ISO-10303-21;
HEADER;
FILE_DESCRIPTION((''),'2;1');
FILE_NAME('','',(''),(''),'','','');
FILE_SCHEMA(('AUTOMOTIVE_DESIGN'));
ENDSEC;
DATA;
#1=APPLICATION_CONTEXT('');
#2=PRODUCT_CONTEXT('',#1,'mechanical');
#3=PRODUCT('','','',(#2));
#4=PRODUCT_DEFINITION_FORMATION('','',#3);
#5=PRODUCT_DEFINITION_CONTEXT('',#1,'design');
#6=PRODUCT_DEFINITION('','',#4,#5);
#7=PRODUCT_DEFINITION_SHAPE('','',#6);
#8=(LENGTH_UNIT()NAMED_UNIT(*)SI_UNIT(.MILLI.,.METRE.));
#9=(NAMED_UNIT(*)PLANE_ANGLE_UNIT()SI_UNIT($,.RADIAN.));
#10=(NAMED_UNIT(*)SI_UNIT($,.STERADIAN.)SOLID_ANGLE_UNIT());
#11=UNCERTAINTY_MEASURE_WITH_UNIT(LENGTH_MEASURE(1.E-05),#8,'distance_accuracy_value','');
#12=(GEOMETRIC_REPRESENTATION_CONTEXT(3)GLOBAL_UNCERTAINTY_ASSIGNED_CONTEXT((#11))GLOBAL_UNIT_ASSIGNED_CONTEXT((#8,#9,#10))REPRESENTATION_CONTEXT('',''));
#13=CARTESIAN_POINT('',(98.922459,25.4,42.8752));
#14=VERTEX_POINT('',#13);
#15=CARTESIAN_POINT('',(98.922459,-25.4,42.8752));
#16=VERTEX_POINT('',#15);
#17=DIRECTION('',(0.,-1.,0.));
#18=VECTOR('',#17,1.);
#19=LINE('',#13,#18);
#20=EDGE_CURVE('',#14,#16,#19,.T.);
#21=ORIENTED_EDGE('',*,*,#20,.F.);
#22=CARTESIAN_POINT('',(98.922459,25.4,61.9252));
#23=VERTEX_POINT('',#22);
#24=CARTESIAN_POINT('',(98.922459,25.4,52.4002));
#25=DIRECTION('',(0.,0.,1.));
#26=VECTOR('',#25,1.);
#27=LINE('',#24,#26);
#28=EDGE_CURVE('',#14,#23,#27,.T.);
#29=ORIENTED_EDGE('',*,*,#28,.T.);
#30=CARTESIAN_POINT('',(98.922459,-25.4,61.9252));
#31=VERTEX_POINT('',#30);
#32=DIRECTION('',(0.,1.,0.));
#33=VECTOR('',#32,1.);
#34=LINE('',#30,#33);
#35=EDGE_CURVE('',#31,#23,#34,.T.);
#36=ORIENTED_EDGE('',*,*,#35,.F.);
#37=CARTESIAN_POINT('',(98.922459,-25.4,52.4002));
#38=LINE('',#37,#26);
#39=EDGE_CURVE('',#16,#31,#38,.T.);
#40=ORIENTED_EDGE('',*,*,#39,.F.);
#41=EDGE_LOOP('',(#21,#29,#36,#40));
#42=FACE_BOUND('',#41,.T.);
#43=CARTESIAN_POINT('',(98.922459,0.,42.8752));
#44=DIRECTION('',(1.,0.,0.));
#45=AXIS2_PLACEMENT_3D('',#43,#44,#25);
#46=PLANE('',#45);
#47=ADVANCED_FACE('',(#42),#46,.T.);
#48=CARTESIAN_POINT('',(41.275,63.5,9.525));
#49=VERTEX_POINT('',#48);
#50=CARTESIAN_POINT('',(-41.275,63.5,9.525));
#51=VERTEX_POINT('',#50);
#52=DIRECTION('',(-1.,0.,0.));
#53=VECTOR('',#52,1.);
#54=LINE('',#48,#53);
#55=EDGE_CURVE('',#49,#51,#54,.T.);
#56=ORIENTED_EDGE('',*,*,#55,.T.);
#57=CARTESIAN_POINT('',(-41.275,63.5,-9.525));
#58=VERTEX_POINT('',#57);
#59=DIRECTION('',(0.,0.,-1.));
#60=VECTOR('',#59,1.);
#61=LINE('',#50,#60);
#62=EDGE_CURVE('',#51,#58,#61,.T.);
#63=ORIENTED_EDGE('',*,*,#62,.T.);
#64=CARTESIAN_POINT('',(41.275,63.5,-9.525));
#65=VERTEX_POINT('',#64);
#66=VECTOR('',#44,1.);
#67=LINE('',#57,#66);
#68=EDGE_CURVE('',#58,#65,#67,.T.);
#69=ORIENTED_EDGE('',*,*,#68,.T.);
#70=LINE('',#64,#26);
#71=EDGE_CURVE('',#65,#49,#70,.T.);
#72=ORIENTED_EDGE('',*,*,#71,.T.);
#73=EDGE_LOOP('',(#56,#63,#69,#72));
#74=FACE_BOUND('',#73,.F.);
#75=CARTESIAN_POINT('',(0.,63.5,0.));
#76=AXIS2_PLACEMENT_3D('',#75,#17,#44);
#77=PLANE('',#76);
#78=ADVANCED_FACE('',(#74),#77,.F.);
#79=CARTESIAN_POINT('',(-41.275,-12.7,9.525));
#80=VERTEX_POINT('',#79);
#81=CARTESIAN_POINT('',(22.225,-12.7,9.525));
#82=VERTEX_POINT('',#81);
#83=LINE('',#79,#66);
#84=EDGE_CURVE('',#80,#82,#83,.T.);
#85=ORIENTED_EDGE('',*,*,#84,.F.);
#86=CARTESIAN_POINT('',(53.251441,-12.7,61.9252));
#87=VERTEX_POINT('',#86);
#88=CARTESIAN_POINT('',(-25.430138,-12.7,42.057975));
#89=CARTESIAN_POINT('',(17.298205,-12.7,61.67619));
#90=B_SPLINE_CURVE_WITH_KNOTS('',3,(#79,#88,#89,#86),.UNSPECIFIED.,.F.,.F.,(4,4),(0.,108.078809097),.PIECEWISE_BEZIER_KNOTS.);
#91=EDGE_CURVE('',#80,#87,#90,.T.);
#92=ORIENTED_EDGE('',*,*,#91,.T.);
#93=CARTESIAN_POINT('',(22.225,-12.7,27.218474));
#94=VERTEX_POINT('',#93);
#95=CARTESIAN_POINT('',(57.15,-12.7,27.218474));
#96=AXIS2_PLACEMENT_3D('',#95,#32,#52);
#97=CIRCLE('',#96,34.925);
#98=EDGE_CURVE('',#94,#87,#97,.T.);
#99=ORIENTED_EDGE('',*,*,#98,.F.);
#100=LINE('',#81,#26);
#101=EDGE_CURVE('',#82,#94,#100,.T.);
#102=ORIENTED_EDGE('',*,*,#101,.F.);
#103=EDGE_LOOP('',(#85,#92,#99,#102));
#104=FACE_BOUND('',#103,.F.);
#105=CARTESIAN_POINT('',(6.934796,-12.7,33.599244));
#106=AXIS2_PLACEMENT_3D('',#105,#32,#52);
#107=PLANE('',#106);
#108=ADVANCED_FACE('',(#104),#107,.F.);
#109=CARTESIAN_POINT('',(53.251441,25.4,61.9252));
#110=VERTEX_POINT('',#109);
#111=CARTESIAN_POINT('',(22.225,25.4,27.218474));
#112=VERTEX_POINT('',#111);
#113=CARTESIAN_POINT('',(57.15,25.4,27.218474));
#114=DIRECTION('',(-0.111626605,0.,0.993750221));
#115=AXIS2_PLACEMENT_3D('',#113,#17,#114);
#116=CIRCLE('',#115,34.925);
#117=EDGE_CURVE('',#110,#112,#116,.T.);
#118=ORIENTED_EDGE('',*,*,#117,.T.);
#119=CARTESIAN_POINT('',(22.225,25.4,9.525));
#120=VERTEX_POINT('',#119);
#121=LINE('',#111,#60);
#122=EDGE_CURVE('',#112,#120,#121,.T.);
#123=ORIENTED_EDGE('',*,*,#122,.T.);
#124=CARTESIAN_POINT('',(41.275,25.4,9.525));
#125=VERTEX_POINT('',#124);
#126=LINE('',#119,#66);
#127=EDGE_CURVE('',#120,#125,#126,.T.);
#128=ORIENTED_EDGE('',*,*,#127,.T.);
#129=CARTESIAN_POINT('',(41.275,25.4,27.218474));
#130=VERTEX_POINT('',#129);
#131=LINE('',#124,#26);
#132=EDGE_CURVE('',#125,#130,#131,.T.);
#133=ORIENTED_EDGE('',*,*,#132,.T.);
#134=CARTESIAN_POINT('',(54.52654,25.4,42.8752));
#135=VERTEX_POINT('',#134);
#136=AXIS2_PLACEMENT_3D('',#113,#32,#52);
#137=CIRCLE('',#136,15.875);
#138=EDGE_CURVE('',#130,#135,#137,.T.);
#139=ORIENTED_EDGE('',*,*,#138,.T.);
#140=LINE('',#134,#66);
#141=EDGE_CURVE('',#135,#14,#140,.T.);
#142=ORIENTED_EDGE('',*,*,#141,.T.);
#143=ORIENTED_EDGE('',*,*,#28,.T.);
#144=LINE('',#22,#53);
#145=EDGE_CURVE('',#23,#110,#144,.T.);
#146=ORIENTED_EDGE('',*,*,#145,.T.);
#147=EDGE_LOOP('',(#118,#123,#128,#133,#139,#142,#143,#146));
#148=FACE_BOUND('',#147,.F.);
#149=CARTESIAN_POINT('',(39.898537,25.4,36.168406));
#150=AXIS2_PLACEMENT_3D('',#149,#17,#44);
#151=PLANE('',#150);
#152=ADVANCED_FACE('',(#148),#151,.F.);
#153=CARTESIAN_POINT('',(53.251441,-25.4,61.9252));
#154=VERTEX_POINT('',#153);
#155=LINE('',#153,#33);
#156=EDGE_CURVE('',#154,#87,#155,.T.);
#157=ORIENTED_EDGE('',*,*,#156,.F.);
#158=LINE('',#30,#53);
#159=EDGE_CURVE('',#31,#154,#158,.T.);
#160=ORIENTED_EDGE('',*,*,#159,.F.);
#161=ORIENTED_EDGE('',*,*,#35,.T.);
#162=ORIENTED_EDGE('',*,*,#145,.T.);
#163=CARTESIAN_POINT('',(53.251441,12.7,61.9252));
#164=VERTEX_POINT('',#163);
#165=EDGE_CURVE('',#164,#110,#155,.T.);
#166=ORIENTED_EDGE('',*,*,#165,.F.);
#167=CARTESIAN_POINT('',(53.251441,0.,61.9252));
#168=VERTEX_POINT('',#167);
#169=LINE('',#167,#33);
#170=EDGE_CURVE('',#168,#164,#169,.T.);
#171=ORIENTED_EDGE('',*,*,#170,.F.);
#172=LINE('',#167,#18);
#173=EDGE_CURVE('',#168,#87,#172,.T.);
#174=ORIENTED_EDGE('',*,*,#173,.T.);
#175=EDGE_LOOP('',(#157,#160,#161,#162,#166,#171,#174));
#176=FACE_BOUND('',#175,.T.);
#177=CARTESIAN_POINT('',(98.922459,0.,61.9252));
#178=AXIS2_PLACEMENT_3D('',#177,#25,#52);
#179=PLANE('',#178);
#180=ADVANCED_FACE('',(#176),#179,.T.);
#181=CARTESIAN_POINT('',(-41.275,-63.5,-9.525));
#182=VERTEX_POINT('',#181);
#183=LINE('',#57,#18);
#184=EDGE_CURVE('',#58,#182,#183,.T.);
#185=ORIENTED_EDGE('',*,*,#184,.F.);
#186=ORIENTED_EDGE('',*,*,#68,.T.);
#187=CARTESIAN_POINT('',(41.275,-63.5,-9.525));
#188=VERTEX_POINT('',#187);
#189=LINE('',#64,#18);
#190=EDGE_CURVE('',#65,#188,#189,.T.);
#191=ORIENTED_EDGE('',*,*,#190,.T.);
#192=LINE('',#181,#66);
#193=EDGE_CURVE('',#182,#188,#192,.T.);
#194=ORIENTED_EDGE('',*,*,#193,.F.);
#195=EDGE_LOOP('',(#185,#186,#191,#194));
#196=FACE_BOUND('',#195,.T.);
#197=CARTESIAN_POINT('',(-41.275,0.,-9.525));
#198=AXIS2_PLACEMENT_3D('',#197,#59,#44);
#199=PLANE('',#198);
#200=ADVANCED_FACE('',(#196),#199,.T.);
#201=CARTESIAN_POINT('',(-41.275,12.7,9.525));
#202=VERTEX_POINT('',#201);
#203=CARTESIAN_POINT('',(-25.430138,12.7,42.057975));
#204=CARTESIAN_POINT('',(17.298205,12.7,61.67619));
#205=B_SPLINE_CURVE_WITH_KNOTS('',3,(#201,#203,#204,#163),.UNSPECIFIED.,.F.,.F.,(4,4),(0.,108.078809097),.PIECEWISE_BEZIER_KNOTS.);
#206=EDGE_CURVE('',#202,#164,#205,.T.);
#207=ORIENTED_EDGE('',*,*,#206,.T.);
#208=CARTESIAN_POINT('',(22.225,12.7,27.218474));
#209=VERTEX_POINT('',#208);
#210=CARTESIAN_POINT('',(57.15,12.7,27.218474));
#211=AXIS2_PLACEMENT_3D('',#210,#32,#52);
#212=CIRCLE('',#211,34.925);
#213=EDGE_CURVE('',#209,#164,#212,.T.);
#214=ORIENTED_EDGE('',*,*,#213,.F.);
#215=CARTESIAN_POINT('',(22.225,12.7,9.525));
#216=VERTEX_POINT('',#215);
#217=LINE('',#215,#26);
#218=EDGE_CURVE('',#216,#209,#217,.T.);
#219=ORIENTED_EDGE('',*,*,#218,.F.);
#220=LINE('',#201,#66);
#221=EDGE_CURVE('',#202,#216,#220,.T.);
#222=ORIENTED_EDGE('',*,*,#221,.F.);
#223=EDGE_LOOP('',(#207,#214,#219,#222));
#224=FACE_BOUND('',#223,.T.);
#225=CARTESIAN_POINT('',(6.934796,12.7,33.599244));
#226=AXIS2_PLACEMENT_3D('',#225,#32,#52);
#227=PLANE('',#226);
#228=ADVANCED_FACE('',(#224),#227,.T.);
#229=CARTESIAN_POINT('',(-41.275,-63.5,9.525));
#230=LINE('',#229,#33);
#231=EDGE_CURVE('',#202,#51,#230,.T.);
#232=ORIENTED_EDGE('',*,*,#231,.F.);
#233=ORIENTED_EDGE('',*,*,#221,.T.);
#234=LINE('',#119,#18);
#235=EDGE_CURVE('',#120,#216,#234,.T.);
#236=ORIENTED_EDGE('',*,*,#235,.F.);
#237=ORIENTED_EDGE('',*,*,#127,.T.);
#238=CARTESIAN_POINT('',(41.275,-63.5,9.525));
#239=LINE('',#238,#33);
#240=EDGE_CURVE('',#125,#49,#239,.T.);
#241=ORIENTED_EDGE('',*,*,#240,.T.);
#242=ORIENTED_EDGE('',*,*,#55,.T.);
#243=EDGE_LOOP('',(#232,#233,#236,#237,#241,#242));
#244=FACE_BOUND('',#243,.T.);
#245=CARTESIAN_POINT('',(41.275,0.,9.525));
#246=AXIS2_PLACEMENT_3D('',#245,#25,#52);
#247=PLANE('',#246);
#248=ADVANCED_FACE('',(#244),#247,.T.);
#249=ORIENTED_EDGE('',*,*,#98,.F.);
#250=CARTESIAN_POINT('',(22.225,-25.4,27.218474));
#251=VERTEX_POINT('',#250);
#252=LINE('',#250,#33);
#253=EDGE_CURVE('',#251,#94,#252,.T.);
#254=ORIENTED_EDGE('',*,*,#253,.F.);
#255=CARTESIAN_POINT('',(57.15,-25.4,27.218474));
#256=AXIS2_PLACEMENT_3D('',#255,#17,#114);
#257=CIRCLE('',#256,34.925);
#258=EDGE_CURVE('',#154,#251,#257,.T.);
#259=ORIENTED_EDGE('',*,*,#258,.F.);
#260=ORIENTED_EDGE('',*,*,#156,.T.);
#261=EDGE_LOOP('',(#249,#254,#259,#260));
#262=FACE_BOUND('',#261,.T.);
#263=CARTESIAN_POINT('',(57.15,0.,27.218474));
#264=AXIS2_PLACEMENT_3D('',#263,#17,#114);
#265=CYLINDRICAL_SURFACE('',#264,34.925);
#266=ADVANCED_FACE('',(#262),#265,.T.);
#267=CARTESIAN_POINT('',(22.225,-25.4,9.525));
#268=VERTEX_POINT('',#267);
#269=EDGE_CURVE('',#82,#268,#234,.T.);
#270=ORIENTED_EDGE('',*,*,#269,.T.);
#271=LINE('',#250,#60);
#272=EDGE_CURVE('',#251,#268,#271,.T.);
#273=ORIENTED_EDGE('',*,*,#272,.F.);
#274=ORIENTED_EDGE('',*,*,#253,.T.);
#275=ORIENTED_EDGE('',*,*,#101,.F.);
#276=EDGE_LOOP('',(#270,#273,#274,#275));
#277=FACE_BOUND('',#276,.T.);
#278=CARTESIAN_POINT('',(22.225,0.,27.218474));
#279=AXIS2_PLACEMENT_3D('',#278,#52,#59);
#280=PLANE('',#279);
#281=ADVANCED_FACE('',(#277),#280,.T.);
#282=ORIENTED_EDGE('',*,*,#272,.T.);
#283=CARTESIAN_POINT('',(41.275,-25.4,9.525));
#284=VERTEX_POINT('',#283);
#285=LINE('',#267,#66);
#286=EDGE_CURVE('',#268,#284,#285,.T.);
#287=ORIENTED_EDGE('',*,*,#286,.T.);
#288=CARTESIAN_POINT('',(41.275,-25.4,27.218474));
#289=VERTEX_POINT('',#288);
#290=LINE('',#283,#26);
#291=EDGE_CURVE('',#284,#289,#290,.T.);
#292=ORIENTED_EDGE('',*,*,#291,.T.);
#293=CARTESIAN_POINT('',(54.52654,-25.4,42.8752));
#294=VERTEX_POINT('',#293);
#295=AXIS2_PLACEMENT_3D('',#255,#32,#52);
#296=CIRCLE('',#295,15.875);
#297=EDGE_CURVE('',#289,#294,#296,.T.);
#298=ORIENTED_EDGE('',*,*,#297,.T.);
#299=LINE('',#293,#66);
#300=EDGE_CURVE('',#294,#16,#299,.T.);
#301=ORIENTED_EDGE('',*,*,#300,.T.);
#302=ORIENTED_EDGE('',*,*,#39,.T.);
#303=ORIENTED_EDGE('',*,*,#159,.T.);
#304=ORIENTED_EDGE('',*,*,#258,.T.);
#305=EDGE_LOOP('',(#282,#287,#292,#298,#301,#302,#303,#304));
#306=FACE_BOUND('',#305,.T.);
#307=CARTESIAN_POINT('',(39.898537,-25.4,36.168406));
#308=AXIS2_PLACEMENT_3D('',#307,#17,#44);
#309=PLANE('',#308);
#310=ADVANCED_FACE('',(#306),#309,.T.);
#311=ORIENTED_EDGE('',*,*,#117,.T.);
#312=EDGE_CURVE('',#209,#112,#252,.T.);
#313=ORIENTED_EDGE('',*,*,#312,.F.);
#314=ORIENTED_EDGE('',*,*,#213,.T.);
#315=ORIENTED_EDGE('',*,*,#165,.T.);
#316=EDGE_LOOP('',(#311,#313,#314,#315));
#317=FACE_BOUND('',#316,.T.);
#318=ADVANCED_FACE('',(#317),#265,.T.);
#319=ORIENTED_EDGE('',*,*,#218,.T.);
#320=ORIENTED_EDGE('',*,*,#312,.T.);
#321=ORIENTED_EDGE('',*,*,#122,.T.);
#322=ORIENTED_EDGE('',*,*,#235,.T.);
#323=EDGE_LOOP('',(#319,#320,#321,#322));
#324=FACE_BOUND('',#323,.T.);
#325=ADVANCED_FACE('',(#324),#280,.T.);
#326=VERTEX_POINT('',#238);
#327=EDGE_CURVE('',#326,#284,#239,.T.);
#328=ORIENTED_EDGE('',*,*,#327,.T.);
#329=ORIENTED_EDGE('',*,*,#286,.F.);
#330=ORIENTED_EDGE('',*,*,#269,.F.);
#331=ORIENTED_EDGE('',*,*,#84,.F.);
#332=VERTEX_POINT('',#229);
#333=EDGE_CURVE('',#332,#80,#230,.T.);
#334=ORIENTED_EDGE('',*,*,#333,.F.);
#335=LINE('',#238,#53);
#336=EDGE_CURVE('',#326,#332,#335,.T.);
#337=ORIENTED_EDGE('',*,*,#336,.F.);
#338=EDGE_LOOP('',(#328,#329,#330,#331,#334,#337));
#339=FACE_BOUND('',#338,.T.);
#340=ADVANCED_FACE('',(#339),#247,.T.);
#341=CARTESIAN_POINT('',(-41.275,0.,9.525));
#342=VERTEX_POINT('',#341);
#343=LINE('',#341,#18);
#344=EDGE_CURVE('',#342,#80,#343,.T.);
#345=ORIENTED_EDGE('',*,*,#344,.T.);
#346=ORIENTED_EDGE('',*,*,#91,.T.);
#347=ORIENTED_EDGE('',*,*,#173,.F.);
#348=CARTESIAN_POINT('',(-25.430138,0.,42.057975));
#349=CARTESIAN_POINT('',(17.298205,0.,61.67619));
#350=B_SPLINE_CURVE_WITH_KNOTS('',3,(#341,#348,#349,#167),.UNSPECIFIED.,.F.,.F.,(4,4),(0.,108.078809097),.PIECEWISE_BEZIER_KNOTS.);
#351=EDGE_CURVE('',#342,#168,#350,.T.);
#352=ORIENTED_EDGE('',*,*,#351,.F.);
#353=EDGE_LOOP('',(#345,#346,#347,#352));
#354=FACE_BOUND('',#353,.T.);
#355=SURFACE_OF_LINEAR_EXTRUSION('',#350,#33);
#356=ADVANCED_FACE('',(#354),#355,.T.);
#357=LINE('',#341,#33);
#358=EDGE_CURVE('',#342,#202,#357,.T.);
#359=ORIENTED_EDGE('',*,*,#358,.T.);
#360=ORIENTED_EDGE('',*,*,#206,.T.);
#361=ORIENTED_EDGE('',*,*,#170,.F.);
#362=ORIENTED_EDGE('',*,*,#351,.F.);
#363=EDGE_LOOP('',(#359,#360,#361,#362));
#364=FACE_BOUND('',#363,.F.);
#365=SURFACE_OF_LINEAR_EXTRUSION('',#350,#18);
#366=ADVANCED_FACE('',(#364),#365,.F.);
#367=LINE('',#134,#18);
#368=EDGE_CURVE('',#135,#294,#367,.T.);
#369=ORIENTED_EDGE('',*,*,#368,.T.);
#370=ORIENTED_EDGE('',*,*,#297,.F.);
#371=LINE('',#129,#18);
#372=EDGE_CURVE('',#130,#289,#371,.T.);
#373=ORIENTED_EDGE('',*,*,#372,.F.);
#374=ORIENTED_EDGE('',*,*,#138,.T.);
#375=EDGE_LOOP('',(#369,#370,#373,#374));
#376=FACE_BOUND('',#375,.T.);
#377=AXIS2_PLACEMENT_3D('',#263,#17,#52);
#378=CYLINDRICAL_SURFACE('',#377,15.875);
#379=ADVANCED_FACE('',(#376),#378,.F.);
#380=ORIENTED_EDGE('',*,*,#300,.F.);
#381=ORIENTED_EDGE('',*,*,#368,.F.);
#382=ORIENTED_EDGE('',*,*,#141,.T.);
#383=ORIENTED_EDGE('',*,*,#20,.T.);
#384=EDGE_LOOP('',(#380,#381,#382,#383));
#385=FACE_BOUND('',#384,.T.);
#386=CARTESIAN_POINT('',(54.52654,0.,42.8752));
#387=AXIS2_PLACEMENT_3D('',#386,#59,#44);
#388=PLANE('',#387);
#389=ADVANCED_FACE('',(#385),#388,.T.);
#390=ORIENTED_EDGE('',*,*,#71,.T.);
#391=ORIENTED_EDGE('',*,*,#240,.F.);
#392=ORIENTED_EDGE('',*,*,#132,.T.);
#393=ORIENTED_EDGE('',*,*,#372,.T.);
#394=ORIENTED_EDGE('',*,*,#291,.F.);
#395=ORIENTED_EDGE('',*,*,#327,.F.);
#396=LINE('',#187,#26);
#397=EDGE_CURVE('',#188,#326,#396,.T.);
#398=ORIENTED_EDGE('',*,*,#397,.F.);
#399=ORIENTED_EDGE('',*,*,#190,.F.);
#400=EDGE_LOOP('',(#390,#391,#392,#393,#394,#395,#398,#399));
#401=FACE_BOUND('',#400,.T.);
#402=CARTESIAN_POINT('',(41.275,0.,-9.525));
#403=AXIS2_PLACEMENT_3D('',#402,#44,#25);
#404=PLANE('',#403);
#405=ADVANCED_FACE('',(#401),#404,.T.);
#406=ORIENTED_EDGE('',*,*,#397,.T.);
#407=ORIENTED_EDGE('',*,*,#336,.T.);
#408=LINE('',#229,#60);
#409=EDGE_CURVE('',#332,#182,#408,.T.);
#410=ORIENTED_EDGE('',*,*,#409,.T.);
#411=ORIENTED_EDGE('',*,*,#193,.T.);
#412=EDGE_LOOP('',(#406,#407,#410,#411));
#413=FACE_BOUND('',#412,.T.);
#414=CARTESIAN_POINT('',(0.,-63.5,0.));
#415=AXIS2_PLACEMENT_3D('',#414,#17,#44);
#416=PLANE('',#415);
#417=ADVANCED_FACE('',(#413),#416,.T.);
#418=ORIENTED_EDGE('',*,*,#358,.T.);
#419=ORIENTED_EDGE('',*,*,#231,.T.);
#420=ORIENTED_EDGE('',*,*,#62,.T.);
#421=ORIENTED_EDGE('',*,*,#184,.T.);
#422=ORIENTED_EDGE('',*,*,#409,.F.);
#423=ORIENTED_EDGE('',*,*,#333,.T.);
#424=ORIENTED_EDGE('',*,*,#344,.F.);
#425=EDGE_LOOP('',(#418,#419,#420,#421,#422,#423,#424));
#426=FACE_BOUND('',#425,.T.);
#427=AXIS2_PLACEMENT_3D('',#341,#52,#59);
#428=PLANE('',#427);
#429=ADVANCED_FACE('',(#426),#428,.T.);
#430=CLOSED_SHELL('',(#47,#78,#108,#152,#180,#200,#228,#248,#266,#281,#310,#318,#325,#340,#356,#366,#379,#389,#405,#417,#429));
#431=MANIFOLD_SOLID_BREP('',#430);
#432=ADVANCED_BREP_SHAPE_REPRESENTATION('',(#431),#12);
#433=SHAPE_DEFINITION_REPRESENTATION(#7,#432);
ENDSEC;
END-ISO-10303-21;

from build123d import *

# Parameters (mm, degrees)
F1_DEPTH = 63.5
F0_W     = 38.5974588745
F0_H     = 19.05
F2_DEPTH = 25.4
F3_DEPTH = 12.7


with BuildPart() as f1:
    # F0 (on Front) → F1 (new body, symmetric)
    with BuildSketch(Plane.XZ):
        Polygon((22.225, 9.525), (-41.275, 9.525), (-41.275, -9.525), (41.275, -9.525), (41.275, 9.525), align=None)
    extrude(amount=F1_DEPTH, both=True)

    # F0 (on Front) → F2 (join, symmetric)
    with BuildSketch(Plane.XZ):
        with BuildLine():
            Line((22.225, 27.2184735426), (22.225, 9.525))
            Line((22.225, 9.525), (41.275, 9.525))
            Line((41.275, 9.525), (41.275, 27.2184735426))
            ThreePointArc((41.275, 27.2184735426), (45.032594125, 37.4744035277), (54.5265401398, 42.8752))
            Line((54.5265401398, 42.8752), (60.325, 42.8752))
            Line((60.325, 42.8752), (60.325, 61.9252))
            Line((60.325, 61.9252), (53.2514408289, 61.9252))
            ThreePointArc((53.2514408289, 61.9252), (31.1124040659, 50.495054541), (22.225, 27.2184735426))
        make_face()
        with Locations((79.6237294372, 52.4002)):
            Rectangle(F0_W, F0_H)
    extrude(amount=F2_DEPTH, both=True)

    # F0 (on Front) → F3 (join, symmetric)
    with BuildSketch(Plane.XZ):
        with BuildLine():
            add(Edge.make_bspline(
                [(-41.275, 9.525), (-25.43013841, 42.0579750838), (17.2982045757, 61.6761899298), (53.2514408289, 61.9252)],
                knots=[0, 0, 0, 0, 108.0788090969, 108.0788090969, 108.0788090969, 108.0788090969], degree=3))
            Line((-41.275, 9.525), (22.225, 9.525))
            Line((22.225, 9.525), (22.225, 27.2184735426))
            ThreePointArc((22.225, 27.2184735426), (31.1124040659, 50.495054541), (53.2514408289, 61.9252))
        make_face()
    extrude(amount=F3_DEPTH, both=True)


solid = f1.part
